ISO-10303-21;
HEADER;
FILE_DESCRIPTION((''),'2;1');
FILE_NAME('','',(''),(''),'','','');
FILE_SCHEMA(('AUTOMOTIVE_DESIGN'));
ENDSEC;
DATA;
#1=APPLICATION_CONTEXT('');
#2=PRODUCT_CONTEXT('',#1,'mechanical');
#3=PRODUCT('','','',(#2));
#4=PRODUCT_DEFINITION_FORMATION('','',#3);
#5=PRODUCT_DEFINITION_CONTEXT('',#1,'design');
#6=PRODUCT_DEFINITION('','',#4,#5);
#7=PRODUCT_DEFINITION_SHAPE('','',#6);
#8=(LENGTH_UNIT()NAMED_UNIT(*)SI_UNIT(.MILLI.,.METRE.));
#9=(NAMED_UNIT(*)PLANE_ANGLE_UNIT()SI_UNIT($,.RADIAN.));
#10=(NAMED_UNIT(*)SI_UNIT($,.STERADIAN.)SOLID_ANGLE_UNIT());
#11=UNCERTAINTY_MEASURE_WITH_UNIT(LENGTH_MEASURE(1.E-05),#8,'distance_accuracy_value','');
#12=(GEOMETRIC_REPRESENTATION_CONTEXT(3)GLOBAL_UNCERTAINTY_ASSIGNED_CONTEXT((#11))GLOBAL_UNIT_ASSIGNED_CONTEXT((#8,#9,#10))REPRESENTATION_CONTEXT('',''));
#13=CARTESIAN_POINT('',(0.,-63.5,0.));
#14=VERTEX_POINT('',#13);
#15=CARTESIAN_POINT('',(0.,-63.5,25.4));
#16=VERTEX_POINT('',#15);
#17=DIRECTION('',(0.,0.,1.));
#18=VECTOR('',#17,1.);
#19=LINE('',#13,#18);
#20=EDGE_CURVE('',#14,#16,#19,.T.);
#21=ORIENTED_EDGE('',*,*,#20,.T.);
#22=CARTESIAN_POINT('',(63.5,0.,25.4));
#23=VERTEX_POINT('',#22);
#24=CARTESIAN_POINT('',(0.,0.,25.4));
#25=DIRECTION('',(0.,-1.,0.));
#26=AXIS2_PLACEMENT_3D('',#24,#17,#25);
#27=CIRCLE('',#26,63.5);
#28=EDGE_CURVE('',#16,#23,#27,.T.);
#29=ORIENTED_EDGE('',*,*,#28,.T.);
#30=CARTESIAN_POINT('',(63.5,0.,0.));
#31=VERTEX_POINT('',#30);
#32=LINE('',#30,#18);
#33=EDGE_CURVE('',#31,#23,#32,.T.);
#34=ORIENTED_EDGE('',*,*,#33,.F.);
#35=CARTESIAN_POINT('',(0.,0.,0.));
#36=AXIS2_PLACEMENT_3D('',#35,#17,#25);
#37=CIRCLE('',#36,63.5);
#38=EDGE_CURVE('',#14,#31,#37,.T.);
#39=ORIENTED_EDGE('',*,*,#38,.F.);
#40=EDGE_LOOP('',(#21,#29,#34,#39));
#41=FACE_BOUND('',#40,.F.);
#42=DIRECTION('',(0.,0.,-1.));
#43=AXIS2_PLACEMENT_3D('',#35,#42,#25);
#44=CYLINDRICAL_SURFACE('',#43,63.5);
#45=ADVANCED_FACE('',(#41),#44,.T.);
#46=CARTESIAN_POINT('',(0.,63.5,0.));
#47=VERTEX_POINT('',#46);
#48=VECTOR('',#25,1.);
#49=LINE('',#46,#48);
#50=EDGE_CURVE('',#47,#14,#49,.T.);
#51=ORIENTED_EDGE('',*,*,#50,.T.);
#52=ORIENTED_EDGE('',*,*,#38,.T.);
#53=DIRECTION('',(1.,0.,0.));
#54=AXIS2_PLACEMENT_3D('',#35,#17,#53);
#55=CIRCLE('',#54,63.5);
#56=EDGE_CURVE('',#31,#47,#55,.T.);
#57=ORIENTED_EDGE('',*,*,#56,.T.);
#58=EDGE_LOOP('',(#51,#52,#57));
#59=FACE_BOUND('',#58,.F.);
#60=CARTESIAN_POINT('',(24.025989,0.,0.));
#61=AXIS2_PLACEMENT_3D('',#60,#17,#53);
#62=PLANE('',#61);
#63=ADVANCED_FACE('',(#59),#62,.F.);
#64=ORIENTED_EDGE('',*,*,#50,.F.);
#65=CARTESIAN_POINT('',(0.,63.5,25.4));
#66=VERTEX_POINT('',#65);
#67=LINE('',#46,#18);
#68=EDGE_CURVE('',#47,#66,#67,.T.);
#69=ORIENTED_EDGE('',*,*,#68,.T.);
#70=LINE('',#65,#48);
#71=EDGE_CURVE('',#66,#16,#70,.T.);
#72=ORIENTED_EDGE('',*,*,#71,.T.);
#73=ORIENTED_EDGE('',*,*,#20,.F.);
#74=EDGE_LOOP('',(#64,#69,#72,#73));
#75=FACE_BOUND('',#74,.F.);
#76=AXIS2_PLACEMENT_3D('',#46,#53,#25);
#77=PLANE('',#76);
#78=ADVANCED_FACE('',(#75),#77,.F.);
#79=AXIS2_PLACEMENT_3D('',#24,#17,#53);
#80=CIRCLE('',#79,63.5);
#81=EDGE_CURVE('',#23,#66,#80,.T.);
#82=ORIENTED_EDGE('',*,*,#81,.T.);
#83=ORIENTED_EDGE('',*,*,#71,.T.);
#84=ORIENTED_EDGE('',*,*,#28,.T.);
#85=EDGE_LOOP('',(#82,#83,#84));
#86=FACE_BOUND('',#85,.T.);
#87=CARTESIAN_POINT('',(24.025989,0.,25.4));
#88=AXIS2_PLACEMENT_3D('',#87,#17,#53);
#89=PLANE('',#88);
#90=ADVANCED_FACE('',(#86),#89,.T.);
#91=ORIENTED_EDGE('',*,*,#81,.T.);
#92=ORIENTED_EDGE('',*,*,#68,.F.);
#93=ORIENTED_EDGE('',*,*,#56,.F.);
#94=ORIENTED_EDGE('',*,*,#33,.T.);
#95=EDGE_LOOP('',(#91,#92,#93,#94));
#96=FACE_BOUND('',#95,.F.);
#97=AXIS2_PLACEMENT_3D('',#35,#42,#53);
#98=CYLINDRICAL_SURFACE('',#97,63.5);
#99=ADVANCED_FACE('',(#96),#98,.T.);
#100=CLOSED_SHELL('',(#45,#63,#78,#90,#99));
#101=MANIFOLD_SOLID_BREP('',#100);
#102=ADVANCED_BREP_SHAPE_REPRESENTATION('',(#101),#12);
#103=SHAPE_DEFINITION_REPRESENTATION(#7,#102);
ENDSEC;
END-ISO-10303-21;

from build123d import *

# Parameters (mm, degrees)
F1_DEPTH = 25.4


with BuildPart() as f1:
    # F0 (on Top) → F1 (new body)
    with BuildSketch(Plane.XY):
        with BuildLine():
            ThreePointArc((0, -63.5), (44.9012806053, -44.9012806053), (63.5, 0))
            ThreePointArc((63.5, 0), (44.9012806053, 44.9012806053), (0, 63.5))
            Line((0, 63.5), (0, -63.5))
        make_face()
    extrude(amount=F1_DEPTH)


solid = f1.part
